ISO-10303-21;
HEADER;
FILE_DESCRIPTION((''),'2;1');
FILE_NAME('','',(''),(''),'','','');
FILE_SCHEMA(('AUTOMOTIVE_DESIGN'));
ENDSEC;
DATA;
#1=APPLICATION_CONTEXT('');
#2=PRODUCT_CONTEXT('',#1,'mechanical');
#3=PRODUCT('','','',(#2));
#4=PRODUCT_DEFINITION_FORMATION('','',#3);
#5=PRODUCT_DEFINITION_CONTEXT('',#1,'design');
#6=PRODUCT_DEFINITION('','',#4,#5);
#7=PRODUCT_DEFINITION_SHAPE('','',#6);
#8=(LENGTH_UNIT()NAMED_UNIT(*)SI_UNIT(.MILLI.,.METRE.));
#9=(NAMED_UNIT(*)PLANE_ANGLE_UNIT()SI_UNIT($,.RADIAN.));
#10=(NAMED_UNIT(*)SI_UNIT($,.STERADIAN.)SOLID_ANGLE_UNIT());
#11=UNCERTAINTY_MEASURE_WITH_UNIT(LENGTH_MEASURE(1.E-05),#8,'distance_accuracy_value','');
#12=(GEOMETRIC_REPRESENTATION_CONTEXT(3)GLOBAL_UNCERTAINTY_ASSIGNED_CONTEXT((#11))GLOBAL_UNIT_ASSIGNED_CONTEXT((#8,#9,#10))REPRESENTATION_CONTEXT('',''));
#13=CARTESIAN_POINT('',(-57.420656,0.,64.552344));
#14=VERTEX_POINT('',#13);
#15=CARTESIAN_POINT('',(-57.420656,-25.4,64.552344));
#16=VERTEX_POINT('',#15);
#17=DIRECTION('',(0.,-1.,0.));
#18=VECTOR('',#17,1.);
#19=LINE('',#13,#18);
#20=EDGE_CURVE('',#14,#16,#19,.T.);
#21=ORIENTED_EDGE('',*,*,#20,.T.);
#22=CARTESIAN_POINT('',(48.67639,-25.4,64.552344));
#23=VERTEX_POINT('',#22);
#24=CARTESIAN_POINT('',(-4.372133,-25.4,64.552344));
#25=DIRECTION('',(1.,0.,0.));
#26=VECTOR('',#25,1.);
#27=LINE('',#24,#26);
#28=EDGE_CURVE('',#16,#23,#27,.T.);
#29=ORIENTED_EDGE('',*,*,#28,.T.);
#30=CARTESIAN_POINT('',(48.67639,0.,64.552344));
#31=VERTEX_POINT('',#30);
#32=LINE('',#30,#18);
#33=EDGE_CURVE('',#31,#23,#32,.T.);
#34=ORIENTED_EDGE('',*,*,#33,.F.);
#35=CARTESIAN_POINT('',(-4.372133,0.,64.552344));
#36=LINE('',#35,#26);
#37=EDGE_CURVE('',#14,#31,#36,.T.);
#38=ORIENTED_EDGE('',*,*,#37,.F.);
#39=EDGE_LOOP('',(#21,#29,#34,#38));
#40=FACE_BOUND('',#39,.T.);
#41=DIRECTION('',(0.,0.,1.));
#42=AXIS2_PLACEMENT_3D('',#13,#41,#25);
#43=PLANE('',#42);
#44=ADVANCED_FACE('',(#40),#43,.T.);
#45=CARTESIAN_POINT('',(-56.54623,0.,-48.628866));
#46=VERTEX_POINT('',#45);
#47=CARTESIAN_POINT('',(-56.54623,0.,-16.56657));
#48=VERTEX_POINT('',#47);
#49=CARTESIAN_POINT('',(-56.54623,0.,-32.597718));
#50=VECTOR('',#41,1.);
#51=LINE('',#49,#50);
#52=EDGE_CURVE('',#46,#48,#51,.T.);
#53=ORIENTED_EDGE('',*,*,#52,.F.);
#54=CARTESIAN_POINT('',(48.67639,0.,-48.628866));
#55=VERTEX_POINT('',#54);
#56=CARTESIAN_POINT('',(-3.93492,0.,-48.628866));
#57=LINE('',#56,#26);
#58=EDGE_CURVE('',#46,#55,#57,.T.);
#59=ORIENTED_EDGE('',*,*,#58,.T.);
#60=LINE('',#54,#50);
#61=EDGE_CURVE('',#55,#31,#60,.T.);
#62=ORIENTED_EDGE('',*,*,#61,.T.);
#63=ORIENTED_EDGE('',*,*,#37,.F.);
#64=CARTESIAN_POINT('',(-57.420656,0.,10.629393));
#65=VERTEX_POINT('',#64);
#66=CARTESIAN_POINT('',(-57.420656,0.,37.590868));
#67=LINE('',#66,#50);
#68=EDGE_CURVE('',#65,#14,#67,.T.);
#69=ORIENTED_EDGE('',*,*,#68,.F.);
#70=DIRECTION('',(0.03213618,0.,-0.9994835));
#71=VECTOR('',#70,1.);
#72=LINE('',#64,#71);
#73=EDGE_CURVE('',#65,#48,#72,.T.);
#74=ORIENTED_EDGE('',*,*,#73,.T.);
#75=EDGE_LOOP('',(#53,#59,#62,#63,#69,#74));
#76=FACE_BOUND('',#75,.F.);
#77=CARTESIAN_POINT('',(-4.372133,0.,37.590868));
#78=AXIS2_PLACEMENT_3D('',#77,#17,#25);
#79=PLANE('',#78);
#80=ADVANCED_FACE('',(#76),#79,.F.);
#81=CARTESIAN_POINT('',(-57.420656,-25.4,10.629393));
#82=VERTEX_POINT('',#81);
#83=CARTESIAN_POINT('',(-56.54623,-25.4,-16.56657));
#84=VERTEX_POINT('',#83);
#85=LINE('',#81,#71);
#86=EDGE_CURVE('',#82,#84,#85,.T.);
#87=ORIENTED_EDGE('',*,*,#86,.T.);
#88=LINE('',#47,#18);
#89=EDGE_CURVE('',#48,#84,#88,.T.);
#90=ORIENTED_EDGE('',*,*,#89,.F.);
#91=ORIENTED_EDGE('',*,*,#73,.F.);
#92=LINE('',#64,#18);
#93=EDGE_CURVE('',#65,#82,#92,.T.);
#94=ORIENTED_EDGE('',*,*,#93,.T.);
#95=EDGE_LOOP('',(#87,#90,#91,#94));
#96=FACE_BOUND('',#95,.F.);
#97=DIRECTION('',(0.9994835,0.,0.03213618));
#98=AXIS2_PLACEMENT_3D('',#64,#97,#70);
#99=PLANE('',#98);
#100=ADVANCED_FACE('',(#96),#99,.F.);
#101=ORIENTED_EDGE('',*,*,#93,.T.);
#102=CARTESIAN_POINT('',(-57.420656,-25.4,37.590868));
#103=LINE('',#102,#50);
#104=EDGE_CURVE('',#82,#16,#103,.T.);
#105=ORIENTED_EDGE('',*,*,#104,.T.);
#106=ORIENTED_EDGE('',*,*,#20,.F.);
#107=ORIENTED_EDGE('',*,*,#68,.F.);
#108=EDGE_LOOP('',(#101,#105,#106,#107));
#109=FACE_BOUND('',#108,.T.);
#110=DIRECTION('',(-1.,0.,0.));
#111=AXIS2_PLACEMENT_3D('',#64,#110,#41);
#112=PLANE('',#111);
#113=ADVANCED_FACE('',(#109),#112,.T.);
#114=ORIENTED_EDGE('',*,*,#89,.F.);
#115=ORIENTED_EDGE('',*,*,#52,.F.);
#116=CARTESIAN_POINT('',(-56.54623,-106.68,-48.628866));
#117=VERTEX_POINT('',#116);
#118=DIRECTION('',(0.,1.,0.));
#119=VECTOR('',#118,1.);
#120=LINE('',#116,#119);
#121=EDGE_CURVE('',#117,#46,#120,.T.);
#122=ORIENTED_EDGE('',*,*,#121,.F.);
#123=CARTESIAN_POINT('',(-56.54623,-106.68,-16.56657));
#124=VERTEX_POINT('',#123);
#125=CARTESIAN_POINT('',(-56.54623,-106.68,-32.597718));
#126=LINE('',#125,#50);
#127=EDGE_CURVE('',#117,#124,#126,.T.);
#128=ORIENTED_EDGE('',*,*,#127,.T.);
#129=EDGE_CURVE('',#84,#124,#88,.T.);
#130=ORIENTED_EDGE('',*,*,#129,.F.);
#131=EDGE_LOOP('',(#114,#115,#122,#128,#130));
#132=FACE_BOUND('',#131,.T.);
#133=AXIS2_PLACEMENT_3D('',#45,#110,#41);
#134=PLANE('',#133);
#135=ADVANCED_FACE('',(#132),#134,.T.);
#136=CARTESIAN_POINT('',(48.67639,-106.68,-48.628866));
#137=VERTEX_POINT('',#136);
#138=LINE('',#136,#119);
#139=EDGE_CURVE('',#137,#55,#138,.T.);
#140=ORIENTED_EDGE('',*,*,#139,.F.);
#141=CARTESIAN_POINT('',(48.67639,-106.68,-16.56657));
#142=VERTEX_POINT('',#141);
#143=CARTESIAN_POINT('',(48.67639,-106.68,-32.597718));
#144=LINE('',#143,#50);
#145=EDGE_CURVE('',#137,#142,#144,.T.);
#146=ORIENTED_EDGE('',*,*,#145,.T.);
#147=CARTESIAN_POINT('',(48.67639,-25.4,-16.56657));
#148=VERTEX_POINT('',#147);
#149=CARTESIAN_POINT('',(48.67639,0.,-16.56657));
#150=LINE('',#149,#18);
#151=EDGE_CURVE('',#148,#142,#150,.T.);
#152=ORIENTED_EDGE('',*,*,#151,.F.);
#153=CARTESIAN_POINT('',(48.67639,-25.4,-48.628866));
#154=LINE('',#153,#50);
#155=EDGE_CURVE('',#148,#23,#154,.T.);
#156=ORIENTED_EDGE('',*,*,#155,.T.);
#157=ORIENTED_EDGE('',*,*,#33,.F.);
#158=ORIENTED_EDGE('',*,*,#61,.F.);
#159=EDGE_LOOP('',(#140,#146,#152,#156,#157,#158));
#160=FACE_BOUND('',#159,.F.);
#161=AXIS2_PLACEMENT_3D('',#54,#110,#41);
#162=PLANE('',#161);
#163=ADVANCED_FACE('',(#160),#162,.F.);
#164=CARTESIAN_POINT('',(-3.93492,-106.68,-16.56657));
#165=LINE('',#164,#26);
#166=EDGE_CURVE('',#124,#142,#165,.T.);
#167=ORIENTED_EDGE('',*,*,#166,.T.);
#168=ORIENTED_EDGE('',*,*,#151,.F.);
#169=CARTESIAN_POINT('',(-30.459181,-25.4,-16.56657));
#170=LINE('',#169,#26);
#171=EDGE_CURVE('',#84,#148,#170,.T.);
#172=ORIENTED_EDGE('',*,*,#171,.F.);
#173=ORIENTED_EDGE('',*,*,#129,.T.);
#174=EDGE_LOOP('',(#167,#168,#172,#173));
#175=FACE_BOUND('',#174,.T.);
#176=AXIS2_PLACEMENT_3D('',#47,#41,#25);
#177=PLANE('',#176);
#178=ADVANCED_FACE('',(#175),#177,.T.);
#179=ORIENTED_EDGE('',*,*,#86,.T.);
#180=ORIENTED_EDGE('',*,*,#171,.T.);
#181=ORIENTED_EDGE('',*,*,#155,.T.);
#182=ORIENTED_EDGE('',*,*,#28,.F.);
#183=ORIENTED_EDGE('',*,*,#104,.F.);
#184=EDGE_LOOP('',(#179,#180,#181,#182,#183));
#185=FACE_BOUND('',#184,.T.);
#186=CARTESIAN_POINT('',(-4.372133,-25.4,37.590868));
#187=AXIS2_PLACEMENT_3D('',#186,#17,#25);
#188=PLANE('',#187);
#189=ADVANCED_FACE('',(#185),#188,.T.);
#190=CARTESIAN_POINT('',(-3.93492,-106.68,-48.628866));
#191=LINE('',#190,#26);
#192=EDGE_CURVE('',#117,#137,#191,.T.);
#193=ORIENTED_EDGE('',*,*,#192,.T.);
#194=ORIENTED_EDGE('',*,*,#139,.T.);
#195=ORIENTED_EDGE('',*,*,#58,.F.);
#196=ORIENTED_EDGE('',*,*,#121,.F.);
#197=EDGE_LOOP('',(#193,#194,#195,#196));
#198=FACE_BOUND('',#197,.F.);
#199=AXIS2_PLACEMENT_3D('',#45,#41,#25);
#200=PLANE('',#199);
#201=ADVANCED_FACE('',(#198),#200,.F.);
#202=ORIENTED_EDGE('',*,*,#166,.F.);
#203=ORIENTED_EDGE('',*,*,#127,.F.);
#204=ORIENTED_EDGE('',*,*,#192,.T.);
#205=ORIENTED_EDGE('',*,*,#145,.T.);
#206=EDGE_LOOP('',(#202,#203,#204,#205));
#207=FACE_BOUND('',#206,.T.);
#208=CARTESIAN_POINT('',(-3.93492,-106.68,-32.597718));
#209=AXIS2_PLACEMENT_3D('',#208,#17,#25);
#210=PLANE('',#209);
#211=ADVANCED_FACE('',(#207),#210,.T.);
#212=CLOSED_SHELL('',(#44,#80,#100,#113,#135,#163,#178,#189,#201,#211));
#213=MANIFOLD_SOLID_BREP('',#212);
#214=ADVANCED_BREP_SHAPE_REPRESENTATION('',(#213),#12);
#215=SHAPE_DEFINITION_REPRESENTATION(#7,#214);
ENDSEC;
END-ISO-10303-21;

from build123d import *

# Parameters (mm, degrees)
F0_W     = 105.22262
F0_H     = 32.062296
F1_DEPTH = 106.68
F0_W_2   = 106.097046
F0_H_2   = 53.922951
F2_DEPTH = 25.4
F3_DEPTH = 25.4


with BuildPart() as f1:
    # F0 (on Front) → F1 (new body)
    with BuildSketch(Plane.XZ):
        with Locations((-3.93492, -32.597718)):
            Rectangle(F0_W, F0_H)
    extrude(amount=F1_DEPTH)

    # F0 (on Front) → F2 (join)
    with BuildSketch(Plane.XZ):
        with Locations((-4.372133, 37.590868)):
            Rectangle(F0_W_2, F0_H_2)
        Polygon((48.67639, 10.629393), (-57.420656, 10.629393), (-56.54623, -16.56657), (48.67639, -16.56657), align=None)
        with Locations((-3.93492, -32.597718)):
            Rectangle(F0_W, F0_H)
    extrude(amount=F2_DEPTH)

    # F0 (on Front) → F3 (join)
    with BuildSketch(Plane.XZ):
        with Locations((-4.372133, 37.590868)):
            Rectangle(F0_W_2, F0_H_2)
        Polygon((48.67639, 10.629393), (-57.420656, 10.629393), (-56.54623, -16.56657), (48.67639, -16.56657), align=None)
        with Locations((-3.93492, -32.597718)):
            Rectangle(F0_W, F0_H)
    extrude(amount=F3_DEPTH)


solid = f1.part
